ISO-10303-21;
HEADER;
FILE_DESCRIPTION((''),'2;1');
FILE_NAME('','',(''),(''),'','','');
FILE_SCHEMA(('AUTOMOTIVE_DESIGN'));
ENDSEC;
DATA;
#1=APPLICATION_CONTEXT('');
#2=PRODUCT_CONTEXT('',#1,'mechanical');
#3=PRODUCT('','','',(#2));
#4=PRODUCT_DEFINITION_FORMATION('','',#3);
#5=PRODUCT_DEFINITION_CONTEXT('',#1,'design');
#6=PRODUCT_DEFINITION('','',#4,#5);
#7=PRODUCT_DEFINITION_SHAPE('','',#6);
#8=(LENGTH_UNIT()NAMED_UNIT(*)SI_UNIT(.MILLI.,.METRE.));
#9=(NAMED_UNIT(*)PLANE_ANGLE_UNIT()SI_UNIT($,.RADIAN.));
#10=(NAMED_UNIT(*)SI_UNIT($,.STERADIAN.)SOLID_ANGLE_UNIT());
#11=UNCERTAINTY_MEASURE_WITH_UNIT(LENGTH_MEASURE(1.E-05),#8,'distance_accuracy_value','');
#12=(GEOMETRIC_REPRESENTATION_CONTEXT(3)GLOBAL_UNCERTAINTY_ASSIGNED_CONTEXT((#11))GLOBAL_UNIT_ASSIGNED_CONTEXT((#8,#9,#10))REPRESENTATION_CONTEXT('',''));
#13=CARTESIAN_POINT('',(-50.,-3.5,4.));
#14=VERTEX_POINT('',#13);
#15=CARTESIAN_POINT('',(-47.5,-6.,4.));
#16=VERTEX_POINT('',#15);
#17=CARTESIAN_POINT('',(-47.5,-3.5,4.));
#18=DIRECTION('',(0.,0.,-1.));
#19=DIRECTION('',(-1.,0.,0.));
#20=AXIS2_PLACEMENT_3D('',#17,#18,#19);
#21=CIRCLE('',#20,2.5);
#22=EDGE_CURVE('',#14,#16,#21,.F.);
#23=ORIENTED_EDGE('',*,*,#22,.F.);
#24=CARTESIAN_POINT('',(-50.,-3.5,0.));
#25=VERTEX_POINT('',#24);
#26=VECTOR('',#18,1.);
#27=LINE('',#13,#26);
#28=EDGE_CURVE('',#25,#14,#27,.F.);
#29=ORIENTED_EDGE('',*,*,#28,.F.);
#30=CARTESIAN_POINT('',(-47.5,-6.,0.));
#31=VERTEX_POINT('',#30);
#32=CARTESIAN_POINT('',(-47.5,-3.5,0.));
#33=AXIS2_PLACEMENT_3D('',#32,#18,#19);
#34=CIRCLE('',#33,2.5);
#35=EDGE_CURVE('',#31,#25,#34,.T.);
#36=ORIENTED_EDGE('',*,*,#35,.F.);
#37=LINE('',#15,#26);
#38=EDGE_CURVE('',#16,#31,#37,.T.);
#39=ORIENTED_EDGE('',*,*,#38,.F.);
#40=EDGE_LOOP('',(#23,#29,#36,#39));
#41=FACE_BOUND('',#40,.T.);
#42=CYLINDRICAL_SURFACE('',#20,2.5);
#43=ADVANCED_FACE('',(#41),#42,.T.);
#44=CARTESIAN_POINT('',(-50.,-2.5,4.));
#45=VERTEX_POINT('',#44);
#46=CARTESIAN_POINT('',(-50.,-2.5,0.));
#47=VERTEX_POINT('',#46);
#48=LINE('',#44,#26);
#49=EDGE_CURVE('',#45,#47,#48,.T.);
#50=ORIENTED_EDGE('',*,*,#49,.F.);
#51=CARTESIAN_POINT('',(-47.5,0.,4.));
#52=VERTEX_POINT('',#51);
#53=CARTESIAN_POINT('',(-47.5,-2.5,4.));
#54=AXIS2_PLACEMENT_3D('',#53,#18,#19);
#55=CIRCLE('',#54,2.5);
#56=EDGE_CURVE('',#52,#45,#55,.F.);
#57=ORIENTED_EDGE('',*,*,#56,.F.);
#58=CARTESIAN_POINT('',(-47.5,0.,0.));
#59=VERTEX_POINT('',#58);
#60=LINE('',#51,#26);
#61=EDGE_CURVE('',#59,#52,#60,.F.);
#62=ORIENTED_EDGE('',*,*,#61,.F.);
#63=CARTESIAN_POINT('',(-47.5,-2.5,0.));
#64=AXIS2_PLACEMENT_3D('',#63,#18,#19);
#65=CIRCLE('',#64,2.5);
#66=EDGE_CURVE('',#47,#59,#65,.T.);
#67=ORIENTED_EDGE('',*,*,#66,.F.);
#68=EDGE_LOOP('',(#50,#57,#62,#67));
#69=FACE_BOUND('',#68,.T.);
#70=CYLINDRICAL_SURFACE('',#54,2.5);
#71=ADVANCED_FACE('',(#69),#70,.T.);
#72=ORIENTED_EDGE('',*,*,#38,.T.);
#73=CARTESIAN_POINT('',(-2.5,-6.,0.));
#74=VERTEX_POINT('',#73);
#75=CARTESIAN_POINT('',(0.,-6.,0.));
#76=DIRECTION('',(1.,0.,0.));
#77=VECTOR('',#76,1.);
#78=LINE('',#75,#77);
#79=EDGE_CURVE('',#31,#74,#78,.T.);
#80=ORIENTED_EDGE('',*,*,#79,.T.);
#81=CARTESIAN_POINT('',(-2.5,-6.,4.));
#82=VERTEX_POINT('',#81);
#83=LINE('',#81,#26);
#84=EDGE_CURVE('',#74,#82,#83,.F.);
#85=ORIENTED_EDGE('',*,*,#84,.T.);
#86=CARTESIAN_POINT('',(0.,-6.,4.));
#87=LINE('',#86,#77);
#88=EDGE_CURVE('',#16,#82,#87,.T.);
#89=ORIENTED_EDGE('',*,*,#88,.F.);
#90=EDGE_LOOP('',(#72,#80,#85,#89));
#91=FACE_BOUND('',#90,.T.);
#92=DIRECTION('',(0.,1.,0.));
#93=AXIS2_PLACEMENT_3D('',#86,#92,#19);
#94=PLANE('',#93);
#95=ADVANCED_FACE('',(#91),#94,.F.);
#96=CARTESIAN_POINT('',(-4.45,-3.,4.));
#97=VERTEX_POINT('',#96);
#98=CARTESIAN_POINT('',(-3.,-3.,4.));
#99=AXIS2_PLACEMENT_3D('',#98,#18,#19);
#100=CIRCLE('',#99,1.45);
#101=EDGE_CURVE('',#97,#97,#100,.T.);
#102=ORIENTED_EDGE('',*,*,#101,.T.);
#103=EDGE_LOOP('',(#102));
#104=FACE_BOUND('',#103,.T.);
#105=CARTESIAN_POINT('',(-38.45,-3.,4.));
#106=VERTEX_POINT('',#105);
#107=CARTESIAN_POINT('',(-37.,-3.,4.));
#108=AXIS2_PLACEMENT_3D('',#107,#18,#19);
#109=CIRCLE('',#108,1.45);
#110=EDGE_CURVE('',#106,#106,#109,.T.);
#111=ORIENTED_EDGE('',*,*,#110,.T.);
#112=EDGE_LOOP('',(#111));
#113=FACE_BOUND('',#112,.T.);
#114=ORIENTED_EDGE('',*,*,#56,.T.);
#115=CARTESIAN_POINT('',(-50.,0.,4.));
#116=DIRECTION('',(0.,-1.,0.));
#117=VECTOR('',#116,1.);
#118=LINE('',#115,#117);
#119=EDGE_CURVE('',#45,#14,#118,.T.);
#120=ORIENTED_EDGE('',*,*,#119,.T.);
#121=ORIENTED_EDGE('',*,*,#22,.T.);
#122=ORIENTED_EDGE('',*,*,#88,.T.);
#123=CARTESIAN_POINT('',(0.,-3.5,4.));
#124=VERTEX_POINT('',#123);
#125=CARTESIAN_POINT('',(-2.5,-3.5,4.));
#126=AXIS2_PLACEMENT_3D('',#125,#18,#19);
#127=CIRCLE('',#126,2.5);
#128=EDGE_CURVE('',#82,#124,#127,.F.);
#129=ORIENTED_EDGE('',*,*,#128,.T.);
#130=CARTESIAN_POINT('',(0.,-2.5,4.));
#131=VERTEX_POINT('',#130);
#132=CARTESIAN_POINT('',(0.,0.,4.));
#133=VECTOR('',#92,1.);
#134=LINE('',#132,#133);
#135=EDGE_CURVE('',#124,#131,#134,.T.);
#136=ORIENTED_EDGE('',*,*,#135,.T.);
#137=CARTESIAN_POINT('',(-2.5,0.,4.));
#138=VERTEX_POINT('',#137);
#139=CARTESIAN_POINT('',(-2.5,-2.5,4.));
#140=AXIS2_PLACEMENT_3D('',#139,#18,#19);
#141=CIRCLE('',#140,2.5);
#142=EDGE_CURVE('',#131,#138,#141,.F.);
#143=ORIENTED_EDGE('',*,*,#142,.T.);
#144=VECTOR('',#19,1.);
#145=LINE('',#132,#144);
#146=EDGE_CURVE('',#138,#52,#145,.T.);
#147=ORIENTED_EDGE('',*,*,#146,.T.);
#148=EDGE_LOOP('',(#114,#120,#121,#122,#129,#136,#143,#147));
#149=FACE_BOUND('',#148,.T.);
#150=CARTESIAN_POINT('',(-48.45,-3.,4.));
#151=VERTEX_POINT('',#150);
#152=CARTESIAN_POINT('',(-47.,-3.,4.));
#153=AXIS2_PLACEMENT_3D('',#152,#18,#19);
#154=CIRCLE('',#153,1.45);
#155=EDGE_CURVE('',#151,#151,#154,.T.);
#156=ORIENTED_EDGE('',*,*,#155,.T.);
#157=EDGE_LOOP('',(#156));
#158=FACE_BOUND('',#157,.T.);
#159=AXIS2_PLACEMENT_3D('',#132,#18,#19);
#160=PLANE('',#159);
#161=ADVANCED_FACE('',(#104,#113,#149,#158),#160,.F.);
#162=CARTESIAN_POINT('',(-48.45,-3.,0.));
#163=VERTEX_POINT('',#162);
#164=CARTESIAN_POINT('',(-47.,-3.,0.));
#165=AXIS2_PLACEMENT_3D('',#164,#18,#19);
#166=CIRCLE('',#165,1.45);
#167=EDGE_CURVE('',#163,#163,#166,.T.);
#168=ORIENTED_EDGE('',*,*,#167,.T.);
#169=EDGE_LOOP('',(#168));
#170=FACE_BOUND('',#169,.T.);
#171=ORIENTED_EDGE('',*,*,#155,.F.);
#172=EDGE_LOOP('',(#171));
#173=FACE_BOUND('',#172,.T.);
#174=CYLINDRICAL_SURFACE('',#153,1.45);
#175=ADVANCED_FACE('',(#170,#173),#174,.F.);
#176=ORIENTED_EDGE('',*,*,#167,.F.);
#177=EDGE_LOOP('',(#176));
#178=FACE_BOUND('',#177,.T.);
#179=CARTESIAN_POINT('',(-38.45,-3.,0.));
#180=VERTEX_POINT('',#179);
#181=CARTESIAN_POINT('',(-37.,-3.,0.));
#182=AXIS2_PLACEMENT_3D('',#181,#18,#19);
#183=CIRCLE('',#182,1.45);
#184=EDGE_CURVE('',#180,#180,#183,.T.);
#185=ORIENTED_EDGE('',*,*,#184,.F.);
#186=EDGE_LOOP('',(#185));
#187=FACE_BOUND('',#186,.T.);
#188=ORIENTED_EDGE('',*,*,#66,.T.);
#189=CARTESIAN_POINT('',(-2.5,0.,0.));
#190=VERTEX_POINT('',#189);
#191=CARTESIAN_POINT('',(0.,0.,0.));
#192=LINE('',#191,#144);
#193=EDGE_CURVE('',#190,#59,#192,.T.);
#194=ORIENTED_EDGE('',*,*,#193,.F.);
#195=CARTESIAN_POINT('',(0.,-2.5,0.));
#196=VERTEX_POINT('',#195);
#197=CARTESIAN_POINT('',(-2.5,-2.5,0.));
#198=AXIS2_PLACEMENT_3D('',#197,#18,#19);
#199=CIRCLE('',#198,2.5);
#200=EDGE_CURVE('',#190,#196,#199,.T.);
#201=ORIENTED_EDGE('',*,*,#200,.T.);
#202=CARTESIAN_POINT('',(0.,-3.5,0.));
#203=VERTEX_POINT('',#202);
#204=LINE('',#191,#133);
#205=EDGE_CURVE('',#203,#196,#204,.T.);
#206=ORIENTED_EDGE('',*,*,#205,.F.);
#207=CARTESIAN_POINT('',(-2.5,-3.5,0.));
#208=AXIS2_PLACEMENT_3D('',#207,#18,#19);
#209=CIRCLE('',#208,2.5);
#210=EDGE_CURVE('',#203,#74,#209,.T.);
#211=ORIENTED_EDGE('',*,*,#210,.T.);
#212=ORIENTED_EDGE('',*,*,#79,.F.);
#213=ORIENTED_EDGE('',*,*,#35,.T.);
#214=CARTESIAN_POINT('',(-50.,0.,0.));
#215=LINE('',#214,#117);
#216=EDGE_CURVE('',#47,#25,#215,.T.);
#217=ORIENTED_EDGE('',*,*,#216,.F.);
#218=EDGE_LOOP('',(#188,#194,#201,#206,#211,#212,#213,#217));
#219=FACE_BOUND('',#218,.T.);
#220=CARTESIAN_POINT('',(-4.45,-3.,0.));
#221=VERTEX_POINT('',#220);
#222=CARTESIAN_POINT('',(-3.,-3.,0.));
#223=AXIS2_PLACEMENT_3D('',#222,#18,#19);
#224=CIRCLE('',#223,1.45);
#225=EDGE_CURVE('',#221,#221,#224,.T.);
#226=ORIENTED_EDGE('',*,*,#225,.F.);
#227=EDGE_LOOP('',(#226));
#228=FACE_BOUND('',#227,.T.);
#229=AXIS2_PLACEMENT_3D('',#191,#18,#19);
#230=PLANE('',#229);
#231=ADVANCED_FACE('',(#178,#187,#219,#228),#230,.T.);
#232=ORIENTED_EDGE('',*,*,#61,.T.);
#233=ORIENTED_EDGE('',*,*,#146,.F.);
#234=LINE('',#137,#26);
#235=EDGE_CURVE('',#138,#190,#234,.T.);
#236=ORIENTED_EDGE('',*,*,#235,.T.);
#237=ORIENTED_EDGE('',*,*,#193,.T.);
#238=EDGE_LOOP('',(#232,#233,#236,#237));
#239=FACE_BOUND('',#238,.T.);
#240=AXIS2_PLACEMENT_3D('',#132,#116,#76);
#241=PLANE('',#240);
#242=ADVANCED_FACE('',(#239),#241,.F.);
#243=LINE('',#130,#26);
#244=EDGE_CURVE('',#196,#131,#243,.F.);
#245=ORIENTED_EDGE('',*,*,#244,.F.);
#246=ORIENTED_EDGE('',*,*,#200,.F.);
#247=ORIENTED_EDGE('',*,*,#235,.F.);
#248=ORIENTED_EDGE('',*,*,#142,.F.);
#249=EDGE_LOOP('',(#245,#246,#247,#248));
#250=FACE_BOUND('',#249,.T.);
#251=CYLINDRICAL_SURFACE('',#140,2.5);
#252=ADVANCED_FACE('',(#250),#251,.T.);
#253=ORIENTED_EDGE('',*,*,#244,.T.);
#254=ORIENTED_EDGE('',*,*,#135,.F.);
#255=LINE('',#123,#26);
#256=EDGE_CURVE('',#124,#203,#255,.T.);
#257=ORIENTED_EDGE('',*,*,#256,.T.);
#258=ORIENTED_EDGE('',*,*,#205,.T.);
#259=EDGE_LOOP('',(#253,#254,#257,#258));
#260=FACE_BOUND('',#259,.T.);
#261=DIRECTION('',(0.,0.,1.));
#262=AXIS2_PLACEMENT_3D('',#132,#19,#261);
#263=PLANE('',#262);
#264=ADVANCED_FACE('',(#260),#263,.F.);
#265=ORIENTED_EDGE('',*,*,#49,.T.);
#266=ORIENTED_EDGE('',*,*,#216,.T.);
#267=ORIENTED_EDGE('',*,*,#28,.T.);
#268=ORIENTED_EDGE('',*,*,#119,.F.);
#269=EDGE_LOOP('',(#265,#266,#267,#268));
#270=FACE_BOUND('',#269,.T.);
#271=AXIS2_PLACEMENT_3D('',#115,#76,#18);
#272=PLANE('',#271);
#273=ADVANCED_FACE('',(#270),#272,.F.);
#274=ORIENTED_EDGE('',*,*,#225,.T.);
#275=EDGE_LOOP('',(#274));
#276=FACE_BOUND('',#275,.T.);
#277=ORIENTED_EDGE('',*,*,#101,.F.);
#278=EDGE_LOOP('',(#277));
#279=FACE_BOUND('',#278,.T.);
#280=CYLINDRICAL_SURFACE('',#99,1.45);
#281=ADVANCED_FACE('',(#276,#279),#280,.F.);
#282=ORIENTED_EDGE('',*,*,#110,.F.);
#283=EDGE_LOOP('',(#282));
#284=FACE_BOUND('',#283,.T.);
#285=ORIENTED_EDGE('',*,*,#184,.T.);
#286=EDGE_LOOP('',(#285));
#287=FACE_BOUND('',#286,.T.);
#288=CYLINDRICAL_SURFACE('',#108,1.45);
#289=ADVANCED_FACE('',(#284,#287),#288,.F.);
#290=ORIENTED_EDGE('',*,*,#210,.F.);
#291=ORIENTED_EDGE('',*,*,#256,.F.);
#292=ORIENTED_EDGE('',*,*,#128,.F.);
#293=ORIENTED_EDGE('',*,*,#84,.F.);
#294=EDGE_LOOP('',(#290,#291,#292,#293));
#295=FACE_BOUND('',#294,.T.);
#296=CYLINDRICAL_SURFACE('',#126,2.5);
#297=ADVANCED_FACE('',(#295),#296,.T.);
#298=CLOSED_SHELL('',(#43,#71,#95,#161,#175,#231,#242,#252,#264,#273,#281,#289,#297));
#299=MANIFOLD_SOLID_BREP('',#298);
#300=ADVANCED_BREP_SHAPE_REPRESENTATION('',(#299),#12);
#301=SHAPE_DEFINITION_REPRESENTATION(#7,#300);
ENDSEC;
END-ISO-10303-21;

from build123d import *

# Parameters (mm, degrees)
SKETCH1_W           = 50
SKETCH1_H           = 6
BOSS_EXTRUDE1_DEPTH = 4
SKETCH2_R           = 1.45
CUT_EXTRUDE1_DEPTH  = 51.517323761
FILLET1_R           = 2.5
SKETCH3_R           = 1.45
CUT_EXTRUDE2_DEPTH  = 51.517323761


with BuildPart() as part:
    # Sketch1 → Boss-Extrude1 (new body)
    with BuildSketch(Plane.XY):
        with Locations((-25, -3)):
            Rectangle(SKETCH1_W, SKETCH1_H)
    extrude(amount=BOSS_EXTRUDE1_DEPTH)

    # Sketch2 → Cut-Extrude1 (cut, through all)
    with BuildSketch(Plane(origin=(0, 0, 0), x_dir=(-1, 0, 0), z_dir=(0, 0, -1))):
        with Locations((3, -3)):
            Circle(SKETCH2_R)
        with Locations((37, -3)):
            Circle(SKETCH2_R)
    extrude(amount=-CUT_EXTRUDE1_DEPTH, mode=Mode.SUBTRACT)

    # Fillet1
    fillet1_edges = [part.edges().sort_by_distance(p)[0] for p in [
        (0, -6, 2),
        (-50, -6, 2),
        (-50, 0, 2),
        (0, 0, 2),
    ]]
    fillet(fillet1_edges, radius=FILLET1_R)

    # Sketch3 → Cut-Extrude2 (cut, through all)
    with BuildSketch(Plane(origin=(0, 0, 0), x_dir=(-1, 0, 0), z_dir=(0, 0, -1))):
        with Locations((47, -3)):
            Circle(SKETCH3_R)
    extrude(amount=-CUT_EXTRUDE2_DEPTH, mode=Mode.SUBTRACT)


solid = part.part
